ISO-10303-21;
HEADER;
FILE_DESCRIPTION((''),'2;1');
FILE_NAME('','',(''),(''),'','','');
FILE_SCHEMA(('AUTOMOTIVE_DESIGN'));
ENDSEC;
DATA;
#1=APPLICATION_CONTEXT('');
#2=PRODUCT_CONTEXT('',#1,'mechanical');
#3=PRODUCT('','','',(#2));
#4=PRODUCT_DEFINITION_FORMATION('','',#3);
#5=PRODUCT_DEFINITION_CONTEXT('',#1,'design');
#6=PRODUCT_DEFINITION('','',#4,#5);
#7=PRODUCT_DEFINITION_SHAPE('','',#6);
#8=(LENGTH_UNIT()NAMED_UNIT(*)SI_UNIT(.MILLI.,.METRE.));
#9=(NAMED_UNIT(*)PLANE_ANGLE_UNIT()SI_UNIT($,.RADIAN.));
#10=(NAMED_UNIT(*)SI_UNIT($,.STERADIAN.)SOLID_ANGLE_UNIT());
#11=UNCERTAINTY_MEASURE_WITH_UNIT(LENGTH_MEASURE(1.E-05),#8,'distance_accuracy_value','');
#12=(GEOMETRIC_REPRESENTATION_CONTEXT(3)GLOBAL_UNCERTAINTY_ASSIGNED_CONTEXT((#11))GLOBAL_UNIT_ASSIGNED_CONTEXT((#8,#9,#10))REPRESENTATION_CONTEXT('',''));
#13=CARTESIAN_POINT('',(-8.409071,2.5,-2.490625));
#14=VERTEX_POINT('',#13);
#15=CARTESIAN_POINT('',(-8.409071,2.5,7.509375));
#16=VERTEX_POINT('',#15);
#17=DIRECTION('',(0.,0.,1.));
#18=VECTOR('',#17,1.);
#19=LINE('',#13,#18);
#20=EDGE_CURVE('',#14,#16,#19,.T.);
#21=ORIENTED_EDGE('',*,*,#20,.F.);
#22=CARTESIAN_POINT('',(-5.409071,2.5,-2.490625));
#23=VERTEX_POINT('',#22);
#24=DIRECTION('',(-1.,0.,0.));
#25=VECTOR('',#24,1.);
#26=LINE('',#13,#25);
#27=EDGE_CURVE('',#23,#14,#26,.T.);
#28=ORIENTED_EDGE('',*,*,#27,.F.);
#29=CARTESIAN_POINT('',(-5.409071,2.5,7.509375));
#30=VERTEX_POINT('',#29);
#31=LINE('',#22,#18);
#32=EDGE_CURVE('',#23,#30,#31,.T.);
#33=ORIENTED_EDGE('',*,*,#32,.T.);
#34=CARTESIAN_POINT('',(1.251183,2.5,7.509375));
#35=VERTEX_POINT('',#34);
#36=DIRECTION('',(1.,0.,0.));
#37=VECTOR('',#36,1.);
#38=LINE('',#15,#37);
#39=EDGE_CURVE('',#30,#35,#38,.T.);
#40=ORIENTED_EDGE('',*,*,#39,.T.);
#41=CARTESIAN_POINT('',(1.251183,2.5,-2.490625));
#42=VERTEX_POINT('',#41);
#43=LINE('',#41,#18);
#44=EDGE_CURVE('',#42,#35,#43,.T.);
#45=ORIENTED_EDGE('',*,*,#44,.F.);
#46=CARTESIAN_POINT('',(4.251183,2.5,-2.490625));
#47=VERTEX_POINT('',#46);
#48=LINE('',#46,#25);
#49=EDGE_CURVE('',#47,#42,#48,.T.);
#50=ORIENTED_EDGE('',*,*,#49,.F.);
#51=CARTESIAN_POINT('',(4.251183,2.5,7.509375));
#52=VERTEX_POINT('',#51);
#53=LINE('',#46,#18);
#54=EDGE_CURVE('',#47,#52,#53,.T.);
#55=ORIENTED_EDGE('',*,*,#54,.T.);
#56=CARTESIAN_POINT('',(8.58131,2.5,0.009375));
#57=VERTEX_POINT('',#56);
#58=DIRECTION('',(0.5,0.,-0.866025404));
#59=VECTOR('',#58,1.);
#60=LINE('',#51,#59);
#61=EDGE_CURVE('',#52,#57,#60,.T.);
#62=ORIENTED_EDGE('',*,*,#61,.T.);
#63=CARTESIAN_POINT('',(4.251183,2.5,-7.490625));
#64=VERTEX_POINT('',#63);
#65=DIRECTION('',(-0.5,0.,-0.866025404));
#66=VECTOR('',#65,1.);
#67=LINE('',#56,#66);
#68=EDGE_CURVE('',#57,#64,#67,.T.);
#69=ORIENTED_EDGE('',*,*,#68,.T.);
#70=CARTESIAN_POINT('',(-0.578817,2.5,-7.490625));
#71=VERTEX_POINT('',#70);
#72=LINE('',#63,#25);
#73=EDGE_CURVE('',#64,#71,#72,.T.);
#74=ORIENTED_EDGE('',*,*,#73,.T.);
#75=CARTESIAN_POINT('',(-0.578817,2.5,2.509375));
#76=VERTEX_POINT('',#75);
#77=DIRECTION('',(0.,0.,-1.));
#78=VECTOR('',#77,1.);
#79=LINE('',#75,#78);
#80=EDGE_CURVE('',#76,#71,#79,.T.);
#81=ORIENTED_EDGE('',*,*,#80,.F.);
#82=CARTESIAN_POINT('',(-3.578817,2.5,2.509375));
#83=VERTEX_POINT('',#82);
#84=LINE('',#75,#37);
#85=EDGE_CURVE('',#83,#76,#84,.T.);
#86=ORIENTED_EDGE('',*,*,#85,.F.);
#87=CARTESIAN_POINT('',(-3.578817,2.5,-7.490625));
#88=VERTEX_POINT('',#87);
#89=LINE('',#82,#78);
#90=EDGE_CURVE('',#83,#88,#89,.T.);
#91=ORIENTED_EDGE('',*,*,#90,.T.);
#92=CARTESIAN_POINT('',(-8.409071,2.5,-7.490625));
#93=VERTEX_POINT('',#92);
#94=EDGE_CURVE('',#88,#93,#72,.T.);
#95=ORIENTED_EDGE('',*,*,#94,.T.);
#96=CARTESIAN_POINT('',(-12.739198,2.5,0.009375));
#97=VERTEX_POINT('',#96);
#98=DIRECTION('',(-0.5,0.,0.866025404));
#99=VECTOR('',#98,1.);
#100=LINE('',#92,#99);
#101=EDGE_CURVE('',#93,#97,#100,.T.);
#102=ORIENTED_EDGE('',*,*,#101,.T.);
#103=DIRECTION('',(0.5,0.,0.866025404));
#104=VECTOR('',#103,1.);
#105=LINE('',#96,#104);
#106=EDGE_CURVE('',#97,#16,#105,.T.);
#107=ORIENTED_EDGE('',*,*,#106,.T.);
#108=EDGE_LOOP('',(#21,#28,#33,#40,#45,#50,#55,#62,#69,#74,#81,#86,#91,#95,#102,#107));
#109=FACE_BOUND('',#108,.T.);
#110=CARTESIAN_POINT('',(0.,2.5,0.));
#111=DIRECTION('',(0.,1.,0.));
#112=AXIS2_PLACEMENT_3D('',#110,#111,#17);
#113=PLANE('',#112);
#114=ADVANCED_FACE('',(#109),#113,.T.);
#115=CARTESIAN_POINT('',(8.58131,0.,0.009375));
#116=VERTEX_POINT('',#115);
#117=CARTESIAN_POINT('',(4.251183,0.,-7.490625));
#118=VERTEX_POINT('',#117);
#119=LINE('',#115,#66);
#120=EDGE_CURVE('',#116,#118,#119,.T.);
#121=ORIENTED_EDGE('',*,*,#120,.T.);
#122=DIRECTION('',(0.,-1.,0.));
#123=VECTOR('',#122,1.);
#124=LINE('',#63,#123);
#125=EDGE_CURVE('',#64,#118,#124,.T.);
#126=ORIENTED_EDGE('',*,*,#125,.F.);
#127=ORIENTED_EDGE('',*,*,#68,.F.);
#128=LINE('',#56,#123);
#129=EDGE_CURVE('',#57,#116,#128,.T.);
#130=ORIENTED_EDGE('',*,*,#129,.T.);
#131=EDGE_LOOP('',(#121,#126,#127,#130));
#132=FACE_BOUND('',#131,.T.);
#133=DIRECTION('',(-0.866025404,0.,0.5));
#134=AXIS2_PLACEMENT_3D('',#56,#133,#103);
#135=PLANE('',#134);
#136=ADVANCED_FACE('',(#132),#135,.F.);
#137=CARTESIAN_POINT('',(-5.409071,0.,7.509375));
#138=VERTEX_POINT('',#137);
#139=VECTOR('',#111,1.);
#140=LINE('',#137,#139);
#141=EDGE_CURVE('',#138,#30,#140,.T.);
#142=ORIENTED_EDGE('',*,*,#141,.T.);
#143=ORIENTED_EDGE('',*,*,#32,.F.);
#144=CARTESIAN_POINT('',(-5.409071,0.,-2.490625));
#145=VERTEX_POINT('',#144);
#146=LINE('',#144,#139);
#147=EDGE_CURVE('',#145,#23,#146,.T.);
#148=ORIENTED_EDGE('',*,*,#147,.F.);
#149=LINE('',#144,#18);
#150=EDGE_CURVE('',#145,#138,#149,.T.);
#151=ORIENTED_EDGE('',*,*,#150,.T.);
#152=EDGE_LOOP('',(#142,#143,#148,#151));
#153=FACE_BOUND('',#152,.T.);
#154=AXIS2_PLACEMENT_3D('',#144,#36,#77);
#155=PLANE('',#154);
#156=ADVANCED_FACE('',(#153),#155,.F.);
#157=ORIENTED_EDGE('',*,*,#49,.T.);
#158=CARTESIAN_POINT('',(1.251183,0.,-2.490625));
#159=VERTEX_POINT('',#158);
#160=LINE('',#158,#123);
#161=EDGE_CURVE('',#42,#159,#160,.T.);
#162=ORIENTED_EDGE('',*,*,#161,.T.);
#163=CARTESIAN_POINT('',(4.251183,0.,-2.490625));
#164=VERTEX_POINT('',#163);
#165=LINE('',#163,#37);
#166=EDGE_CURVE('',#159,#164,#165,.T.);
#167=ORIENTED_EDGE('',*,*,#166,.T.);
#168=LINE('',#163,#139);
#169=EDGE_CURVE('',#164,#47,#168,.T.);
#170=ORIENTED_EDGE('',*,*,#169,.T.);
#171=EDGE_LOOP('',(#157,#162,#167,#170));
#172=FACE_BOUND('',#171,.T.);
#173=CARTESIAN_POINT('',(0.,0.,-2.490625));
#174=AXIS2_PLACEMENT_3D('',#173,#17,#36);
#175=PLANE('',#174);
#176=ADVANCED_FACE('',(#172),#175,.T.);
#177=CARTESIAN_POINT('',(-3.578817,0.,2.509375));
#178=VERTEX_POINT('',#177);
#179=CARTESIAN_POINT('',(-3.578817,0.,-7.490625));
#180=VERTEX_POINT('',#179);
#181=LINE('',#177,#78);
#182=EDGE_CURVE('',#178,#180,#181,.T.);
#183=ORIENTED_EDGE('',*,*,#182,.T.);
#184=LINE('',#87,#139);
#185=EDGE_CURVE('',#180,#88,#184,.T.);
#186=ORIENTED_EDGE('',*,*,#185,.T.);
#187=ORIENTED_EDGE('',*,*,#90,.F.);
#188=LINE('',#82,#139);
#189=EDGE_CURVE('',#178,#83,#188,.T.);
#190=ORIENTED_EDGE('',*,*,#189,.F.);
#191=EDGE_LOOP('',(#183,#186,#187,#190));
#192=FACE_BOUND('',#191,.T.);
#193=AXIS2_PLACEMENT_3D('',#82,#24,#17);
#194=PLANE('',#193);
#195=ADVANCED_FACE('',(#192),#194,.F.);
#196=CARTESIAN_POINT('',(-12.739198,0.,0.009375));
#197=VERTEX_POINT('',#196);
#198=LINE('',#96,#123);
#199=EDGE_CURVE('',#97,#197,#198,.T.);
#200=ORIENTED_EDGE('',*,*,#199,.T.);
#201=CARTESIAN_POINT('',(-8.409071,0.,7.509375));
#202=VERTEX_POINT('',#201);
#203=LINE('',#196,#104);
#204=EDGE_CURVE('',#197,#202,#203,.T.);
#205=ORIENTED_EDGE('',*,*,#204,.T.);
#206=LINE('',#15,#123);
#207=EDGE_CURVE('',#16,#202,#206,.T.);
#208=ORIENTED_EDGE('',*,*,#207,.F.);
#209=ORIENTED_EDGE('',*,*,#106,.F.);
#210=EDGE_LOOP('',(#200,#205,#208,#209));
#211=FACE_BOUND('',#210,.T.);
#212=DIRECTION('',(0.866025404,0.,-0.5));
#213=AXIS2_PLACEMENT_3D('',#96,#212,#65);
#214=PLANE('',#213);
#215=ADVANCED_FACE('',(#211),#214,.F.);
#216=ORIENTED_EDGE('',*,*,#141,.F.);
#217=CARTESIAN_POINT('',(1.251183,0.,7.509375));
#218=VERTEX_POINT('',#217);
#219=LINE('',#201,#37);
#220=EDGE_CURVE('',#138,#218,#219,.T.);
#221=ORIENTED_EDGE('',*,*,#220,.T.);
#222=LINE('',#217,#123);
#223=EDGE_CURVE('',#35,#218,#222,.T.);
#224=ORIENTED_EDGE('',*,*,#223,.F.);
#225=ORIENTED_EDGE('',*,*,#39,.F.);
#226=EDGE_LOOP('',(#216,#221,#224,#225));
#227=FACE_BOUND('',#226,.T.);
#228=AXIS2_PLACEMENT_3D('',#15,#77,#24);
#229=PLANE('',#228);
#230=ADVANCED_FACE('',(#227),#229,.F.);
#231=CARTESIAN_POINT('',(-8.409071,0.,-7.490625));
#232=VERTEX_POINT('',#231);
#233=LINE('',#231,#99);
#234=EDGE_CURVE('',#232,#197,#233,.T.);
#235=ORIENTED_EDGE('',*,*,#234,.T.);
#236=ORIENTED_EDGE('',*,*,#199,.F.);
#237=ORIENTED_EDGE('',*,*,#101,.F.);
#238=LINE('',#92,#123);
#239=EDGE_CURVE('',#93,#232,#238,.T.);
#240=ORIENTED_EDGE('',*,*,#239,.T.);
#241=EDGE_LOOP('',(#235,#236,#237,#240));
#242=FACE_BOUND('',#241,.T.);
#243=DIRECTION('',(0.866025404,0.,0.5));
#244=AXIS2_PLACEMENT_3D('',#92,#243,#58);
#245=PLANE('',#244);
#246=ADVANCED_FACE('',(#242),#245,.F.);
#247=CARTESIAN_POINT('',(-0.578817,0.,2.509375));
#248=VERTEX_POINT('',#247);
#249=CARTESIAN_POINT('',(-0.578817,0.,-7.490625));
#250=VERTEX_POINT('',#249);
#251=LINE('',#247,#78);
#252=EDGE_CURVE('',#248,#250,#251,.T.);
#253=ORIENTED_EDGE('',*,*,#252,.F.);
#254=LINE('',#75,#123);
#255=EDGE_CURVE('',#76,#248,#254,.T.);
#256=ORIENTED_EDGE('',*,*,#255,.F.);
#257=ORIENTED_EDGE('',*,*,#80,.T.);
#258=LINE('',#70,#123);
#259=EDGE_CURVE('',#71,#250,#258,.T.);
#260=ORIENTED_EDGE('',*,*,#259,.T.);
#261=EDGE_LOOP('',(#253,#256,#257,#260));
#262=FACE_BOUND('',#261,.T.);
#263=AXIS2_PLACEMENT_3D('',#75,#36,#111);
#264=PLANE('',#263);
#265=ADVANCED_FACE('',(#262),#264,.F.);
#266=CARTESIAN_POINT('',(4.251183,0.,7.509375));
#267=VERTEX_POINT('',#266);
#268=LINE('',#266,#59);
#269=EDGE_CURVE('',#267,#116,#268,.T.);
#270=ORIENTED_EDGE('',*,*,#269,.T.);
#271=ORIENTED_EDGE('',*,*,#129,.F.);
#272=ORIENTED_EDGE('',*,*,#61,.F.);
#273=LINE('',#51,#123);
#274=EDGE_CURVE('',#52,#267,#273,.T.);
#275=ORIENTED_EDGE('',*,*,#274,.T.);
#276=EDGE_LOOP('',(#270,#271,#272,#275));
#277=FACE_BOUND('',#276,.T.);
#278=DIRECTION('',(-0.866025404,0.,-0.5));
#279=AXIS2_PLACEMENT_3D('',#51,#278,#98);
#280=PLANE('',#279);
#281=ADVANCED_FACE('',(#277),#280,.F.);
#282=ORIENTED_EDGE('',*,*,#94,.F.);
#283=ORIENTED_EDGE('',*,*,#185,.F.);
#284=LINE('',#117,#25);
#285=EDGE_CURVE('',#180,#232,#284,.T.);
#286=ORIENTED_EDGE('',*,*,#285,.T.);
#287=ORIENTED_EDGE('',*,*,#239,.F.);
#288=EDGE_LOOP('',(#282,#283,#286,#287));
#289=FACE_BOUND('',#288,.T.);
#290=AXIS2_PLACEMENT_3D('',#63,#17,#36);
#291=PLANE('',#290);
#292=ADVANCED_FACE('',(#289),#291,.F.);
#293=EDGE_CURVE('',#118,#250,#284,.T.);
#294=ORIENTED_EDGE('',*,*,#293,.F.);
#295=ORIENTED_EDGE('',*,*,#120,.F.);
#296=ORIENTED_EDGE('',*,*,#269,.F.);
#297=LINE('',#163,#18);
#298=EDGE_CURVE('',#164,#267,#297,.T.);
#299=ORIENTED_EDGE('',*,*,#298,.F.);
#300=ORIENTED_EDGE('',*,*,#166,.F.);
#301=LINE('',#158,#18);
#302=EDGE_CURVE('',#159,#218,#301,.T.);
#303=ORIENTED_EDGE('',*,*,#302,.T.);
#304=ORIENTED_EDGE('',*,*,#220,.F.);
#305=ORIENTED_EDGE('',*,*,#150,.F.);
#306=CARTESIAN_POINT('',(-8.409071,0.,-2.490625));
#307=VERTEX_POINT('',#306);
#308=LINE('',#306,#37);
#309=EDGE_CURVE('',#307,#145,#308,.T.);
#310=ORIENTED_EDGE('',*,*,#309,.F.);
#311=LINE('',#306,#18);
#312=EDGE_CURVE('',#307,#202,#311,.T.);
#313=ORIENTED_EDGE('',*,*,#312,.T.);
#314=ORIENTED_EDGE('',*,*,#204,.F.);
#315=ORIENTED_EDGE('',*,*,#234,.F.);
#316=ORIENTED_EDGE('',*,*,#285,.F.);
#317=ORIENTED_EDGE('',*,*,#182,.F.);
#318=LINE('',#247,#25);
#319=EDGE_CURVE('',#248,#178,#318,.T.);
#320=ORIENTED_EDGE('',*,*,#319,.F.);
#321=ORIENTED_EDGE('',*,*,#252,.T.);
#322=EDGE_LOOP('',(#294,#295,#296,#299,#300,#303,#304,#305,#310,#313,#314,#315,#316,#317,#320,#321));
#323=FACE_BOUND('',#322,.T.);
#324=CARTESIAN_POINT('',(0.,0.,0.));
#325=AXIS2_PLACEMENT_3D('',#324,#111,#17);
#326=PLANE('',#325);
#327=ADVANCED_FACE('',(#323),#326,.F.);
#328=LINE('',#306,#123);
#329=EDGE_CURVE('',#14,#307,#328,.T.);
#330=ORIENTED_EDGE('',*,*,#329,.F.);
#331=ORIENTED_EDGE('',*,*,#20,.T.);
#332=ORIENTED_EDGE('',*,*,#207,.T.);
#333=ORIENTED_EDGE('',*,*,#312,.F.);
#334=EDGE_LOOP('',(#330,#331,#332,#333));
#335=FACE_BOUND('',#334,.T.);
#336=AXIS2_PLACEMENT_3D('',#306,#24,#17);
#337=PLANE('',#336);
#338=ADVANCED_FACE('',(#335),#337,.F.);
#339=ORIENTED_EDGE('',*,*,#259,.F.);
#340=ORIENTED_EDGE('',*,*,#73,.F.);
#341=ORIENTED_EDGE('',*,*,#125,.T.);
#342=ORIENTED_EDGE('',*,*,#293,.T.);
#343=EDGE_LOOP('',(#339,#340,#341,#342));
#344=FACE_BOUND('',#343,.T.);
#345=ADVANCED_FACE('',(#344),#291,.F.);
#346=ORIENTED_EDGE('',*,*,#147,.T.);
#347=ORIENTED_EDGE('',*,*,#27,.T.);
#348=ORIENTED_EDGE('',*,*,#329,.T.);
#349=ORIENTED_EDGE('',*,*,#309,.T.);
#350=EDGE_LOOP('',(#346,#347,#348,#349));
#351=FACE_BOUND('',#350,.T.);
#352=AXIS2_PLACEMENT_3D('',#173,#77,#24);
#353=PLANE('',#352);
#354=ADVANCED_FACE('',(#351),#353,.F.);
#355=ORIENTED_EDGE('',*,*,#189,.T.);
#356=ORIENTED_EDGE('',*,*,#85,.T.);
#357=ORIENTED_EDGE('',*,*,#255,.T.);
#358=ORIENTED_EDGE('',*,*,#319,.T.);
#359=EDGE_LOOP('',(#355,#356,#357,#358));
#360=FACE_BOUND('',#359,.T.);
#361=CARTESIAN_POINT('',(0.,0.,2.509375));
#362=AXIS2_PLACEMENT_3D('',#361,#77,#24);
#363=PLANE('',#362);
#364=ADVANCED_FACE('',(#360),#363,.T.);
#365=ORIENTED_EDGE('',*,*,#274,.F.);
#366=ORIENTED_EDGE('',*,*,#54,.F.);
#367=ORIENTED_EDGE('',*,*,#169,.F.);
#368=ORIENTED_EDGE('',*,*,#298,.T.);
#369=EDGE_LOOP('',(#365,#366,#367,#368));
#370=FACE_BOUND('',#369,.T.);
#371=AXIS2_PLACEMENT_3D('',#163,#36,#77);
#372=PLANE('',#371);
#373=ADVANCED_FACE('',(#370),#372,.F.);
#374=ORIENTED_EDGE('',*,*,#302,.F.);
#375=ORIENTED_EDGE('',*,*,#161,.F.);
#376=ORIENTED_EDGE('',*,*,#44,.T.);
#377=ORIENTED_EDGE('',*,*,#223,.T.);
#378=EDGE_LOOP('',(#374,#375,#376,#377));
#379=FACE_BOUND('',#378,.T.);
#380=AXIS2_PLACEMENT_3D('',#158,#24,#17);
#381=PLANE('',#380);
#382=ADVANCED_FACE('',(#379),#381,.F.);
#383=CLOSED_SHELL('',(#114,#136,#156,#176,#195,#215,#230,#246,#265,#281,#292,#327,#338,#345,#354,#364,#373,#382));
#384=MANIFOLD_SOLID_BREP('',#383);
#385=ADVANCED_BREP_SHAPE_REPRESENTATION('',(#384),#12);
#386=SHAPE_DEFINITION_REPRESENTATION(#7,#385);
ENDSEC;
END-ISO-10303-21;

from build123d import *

# Parameters (mm, degrees)
BOSS_EXTRUDE1_DEPTH = 2.5
SKETCH5_W           = 3
SKETCH5_H           = 2.5
CUT_EXTRUDE2_DEPTH  = 10
SKETCH6_W           = 3
SKETCH6_H           = 2.5
CUT_EXTRUDE3_DEPTH  = 10
SKETCH7_W           = 3
SKETCH7_H           = 2.5
CUT_EXTRUDE4_DEPTH  = 10


with BuildPart() as part:
    # Sketch1 → Boss-Extrude1 (new body)
    with BuildSketch(Plane(origin=(0, 0, 0), x_dir=(1, 0, 0), z_dir=(0, 1, 0))):
        Polygon((8.581310361, -0.009375041), (4.251183342, 7.490624959), (-8.409070695, 7.490624959), (-12.739197714, -0.009375041), (-8.409070695, -7.509375041), (4.251183342, -7.509375041), align=None)
    extrude(amount=BOSS_EXTRUDE1_DEPTH)

    # Sketch5 → Cut-Extrude2 (cut)
    with BuildSketch(Plane.XY.offset(7.509375041)):
        with Locations((-6.909070695, 1.25)):
            Rectangle(SKETCH5_W, SKETCH5_H)
    extrude(amount=-CUT_EXTRUDE2_DEPTH, mode=Mode.SUBTRACT)

    # Sketch6 → Cut-Extrude3 (cut)
    with BuildSketch(Plane.XY.offset(7.509375041)):
        with Locations((2.751183342, 1.25)):
            Rectangle(SKETCH6_W, SKETCH6_H)
    extrude(amount=-CUT_EXTRUDE3_DEPTH, mode=Mode.SUBTRACT)

    # Sketch7 → Cut-Extrude4 (cut)
    with BuildSketch(Plane(origin=(0, 0, -7.490624959), x_dir=(-1, 0, 0), z_dir=(0, 0, -1))):
        with Locations((2.078816658, 1.25)):
            Rectangle(SKETCH7_W, SKETCH7_H)
    extrude(amount=-CUT_EXTRUDE4_DEPTH, mode=Mode.SUBTRACT)


solid = part.part
